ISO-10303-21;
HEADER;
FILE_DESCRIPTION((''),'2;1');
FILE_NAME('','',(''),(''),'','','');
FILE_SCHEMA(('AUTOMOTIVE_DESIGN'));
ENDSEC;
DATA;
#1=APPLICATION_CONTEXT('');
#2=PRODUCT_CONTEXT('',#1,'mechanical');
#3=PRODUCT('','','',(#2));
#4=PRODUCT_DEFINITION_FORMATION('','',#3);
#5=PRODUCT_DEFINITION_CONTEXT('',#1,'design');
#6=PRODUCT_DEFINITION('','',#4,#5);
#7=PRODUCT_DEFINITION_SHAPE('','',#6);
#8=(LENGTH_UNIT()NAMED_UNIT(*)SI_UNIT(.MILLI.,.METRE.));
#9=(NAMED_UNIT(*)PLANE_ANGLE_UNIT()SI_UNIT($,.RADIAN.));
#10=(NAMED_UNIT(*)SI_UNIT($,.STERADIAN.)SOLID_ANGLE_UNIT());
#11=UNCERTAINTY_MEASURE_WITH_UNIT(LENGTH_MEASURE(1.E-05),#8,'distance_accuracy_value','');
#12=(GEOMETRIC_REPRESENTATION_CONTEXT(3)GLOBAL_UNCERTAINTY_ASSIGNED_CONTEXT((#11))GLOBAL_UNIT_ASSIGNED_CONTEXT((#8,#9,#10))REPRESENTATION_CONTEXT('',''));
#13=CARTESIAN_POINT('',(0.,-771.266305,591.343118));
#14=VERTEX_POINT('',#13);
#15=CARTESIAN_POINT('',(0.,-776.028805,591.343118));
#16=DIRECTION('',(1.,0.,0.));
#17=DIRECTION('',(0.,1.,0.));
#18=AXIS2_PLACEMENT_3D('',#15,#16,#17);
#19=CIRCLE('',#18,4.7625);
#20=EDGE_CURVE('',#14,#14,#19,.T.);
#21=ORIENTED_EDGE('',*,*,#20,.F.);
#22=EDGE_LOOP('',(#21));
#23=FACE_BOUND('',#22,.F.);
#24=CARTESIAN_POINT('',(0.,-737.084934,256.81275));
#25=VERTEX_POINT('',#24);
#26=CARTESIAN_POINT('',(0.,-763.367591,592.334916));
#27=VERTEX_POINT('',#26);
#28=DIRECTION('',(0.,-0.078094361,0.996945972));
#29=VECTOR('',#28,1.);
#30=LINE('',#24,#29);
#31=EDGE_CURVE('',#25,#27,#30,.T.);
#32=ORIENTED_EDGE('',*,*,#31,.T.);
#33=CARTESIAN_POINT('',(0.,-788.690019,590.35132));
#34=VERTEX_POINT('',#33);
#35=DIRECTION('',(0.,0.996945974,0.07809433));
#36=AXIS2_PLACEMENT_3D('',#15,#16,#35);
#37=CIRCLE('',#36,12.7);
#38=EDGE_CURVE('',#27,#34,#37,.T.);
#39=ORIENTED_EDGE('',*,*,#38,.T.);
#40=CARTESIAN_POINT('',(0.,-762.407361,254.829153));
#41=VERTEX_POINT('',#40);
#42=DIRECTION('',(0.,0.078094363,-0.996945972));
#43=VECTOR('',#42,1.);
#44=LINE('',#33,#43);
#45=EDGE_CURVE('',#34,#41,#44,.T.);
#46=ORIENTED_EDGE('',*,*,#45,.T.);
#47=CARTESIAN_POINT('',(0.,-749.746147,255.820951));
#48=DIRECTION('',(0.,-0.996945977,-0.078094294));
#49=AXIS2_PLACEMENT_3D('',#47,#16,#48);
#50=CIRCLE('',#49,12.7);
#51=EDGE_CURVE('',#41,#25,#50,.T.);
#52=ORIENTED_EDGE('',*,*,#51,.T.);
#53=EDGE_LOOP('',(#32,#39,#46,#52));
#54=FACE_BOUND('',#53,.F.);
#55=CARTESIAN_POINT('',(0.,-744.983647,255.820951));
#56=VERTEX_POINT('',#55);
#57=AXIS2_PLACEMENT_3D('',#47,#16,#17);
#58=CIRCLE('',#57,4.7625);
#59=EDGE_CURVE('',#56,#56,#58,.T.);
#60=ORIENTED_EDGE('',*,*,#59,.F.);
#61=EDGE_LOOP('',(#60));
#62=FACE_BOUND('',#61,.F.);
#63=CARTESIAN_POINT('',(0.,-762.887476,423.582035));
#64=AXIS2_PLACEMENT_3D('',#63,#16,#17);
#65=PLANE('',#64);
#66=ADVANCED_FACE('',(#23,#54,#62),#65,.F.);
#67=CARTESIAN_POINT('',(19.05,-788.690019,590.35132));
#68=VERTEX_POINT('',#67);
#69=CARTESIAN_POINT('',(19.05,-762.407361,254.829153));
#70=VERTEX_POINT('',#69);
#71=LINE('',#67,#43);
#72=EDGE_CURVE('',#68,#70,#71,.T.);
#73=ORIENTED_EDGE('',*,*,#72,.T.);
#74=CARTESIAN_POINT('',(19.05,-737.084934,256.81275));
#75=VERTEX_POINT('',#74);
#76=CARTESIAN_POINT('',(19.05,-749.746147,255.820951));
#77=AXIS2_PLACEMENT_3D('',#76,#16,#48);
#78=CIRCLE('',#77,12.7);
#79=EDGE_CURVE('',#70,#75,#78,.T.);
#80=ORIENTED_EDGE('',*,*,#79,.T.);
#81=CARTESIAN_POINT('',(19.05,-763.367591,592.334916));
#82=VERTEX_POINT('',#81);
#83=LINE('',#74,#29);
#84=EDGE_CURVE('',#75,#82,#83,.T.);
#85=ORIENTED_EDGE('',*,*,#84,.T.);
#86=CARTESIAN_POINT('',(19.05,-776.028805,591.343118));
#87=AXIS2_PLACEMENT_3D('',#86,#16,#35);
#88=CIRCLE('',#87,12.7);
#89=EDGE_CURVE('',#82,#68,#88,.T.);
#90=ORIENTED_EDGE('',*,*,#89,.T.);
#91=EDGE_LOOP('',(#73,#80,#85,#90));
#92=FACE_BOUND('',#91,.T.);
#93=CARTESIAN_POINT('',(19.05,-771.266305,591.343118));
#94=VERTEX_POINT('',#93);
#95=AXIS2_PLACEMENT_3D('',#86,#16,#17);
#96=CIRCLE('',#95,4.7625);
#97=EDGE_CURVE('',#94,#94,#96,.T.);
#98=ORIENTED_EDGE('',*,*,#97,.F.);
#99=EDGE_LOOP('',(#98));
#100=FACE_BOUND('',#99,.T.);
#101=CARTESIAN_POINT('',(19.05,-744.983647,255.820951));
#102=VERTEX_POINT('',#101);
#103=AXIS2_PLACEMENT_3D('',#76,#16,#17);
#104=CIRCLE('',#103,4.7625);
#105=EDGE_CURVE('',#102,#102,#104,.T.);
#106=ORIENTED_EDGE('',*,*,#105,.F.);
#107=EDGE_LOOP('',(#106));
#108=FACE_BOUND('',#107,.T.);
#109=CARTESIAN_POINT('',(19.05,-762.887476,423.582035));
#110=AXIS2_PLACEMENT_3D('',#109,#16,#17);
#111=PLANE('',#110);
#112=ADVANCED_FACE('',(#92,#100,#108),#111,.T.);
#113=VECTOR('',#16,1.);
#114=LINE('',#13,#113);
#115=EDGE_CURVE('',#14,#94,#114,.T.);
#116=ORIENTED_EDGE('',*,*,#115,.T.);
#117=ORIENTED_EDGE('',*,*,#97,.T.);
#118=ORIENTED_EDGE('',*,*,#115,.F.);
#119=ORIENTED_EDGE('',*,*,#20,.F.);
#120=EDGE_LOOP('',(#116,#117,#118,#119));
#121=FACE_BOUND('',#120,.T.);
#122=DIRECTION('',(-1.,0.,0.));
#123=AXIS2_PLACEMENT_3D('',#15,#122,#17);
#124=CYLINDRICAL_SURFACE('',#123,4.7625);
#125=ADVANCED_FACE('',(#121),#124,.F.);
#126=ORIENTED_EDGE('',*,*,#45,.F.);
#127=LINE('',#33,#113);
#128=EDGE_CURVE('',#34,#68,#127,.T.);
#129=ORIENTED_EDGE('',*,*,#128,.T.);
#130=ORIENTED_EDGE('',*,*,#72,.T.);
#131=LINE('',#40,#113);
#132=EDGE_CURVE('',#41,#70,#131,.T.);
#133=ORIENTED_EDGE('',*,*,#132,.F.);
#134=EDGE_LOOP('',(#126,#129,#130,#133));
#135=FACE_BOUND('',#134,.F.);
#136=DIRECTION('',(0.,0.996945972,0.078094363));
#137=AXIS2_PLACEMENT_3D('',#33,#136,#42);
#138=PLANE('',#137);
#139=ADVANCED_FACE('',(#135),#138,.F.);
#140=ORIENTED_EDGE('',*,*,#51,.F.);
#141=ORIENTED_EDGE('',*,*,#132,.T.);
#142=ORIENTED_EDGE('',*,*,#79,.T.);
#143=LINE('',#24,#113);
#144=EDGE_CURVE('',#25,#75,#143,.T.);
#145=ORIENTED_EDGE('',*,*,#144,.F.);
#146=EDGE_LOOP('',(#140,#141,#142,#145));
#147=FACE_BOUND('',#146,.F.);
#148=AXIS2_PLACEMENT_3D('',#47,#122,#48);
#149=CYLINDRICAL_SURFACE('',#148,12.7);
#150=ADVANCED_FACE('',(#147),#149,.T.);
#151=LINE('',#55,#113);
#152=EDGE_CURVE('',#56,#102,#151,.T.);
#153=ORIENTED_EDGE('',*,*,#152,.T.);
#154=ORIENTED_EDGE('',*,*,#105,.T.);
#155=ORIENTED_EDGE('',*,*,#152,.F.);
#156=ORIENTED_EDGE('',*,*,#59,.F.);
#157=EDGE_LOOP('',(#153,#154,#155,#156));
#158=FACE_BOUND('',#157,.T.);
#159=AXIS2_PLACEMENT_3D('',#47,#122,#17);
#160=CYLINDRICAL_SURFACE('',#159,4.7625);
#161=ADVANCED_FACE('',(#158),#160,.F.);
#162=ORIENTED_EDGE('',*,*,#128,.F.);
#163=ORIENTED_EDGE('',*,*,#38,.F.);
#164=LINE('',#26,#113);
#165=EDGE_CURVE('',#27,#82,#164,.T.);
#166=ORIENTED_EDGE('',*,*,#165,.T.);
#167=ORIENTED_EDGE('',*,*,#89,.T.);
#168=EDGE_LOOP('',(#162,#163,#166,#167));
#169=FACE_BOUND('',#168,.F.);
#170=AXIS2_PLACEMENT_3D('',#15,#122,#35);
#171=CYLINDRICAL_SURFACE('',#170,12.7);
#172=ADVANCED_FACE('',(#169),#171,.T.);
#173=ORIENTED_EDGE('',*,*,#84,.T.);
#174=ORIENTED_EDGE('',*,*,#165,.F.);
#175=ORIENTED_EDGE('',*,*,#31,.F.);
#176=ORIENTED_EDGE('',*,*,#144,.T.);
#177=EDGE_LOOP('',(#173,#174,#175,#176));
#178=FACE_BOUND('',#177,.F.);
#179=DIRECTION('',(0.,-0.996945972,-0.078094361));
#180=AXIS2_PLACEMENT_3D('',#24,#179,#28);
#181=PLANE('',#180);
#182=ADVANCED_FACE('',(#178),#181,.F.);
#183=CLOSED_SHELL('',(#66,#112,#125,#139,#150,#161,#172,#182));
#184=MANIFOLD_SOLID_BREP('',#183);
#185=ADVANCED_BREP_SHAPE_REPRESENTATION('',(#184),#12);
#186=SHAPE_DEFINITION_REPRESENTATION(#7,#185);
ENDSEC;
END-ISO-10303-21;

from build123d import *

# Parameters (mm, degrees)
F2_R     = 4.7625
F3_DEPTH = 19.05


with BuildPart() as f3:
    # F2 (on Right) → F3 (new body)
    with BuildSketch(Plane.YZ):
        with BuildLine():
            ThreePointArc((-763.367591, 592.334916), (-777.020603, 604.004332), (-788.690019, 590.35132))
            Line((-788.690019, 590.35132), (-762.407361, 254.829153))
            ThreePointArc((-762.407361, 254.829153), (-748.754349, 243.159737), (-737.084934, 256.81275))
            Line((-737.084934, 256.81275), (-763.367591, 592.334916))
        make_face()
        with Locations((-749.746147, 255.820951)):
            Circle(F2_R, mode=Mode.SUBTRACT)
        with Locations((-776.028805, 591.343118)):
            Circle(F2_R, mode=Mode.SUBTRACT)
    extrude(amount=F3_DEPTH)


solid = f3.part
